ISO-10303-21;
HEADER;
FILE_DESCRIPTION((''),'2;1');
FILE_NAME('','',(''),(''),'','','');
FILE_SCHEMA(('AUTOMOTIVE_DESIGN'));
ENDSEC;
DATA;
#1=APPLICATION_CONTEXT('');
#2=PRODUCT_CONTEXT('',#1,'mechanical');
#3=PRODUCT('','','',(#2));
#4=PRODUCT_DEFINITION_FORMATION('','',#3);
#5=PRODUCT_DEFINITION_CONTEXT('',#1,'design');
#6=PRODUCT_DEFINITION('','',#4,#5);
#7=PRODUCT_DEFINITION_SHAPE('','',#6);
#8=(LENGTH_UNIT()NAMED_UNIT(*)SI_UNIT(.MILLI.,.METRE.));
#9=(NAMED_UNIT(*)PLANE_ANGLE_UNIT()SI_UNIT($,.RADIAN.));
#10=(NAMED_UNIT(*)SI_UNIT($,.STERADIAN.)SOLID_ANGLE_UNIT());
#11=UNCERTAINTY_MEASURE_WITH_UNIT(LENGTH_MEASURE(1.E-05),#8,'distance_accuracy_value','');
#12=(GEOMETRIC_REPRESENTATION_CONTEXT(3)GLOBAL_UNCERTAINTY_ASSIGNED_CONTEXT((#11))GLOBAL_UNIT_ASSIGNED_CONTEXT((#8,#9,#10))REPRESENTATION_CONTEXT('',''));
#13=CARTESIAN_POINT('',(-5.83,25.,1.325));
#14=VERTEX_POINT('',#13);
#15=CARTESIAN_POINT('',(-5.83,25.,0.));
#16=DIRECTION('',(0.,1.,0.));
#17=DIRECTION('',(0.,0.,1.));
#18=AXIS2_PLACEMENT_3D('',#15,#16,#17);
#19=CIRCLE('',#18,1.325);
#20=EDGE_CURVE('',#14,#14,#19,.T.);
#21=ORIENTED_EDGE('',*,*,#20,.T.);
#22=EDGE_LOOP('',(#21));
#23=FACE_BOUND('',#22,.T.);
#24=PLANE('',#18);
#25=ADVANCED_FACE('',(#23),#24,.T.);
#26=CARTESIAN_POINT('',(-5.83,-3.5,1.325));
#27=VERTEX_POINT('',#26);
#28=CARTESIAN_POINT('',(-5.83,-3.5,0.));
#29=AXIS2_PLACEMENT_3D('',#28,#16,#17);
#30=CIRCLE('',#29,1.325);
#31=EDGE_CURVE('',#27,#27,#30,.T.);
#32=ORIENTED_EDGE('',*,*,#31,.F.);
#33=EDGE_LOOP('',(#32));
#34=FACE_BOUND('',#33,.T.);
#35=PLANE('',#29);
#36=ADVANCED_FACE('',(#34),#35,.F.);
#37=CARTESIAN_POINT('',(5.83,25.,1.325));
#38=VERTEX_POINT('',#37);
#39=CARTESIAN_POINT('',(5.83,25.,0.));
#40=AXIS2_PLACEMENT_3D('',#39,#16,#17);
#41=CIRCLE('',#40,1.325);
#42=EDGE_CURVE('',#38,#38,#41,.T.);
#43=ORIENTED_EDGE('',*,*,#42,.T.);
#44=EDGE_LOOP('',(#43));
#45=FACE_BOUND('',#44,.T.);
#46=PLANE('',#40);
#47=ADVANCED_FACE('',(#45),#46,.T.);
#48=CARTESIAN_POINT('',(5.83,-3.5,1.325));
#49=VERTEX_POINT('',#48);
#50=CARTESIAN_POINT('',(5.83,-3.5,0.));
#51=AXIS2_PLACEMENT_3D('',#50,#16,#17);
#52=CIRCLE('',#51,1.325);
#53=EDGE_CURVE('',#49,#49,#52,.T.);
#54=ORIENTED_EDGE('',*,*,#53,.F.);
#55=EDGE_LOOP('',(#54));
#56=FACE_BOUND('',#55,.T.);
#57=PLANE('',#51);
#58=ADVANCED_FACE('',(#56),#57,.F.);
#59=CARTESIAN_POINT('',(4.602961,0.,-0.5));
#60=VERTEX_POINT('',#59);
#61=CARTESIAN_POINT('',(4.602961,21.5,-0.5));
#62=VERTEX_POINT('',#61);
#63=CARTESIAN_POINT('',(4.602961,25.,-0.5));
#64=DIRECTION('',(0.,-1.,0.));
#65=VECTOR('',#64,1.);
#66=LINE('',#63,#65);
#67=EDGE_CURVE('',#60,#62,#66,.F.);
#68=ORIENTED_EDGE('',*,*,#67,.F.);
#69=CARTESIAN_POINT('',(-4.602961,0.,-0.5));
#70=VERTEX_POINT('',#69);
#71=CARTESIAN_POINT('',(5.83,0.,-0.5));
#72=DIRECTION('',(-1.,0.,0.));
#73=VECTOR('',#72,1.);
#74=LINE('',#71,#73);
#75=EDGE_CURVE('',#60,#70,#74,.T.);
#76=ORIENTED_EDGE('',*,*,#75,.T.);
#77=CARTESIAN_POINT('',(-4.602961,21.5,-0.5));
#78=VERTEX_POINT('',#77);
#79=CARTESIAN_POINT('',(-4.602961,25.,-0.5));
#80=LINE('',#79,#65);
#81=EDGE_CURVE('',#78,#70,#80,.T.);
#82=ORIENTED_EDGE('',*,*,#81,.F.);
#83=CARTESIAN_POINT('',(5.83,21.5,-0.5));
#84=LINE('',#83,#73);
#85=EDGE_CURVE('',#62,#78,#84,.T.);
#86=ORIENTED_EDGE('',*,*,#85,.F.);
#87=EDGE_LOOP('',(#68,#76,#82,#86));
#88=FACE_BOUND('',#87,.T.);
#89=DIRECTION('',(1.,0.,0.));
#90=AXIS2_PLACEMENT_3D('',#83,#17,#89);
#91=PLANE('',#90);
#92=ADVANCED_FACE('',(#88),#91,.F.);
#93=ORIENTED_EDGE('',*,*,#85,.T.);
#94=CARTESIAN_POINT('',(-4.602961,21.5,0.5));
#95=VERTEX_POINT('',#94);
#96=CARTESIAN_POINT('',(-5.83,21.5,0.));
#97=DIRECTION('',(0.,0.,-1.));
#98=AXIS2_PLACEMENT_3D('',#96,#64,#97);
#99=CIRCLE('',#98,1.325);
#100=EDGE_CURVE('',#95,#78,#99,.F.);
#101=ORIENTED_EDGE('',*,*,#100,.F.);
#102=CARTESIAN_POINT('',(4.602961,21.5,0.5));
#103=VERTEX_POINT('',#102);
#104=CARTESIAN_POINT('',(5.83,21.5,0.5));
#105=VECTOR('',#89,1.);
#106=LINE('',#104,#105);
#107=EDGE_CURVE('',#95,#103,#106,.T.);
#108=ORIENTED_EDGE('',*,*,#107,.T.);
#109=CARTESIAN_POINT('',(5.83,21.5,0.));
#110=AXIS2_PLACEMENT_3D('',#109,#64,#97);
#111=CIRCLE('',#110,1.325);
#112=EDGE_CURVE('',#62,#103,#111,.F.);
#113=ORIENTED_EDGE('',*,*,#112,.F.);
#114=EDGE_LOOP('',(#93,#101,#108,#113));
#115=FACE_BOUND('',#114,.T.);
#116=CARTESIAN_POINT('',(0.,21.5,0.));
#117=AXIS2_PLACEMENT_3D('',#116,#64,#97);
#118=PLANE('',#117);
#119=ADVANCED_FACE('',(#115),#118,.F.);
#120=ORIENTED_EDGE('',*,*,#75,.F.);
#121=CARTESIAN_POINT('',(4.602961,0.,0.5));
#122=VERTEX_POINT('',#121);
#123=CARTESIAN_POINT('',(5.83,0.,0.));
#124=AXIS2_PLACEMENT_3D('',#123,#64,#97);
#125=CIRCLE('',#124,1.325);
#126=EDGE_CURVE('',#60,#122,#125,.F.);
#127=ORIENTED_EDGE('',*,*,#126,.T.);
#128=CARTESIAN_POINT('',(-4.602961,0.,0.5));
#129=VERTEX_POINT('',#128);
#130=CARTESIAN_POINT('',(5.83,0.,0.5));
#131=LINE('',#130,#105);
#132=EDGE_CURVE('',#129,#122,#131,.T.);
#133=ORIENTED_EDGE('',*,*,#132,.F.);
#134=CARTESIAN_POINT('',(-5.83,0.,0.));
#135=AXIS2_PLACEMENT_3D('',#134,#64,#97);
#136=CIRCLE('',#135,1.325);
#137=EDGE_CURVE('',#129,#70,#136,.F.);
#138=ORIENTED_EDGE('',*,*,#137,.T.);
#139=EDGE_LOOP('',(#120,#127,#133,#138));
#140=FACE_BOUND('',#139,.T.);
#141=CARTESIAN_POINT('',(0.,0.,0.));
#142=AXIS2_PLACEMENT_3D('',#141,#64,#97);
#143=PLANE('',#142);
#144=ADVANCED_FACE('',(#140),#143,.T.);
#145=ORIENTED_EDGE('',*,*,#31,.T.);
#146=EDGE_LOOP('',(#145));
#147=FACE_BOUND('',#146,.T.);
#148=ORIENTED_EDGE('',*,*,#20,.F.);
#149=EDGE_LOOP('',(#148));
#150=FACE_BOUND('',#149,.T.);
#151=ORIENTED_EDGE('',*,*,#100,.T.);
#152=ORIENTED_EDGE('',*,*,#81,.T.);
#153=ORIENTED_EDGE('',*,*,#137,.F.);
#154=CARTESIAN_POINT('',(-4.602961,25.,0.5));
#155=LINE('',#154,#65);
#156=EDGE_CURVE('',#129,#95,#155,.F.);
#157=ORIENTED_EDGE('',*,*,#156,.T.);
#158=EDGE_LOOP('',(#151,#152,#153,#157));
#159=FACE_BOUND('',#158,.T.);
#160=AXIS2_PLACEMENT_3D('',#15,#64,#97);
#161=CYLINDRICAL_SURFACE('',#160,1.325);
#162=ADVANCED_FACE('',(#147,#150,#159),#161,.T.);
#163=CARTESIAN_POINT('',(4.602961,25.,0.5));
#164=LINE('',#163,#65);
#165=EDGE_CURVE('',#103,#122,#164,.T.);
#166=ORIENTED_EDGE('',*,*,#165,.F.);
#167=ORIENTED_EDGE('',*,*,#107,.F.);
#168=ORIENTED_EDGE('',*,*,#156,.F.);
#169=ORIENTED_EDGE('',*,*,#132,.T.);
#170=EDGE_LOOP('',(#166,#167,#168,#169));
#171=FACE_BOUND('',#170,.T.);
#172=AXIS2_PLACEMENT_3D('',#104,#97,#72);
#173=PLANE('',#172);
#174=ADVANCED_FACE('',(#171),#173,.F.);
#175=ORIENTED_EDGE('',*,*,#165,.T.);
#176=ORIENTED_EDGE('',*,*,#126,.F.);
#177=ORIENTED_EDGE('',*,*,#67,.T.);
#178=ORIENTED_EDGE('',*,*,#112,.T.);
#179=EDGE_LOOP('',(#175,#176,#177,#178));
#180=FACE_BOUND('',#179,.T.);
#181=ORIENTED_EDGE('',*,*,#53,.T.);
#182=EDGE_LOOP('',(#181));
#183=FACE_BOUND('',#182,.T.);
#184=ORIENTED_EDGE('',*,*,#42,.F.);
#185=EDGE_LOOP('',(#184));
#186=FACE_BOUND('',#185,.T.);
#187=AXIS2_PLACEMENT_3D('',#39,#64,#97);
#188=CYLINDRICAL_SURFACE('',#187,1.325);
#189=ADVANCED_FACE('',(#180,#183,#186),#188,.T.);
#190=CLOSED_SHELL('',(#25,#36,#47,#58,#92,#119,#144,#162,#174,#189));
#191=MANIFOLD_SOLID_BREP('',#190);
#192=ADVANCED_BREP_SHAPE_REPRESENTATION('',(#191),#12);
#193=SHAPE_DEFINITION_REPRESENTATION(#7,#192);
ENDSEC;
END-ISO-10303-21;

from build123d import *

# Parameters (mm, degrees)
SKETCH1_W           = 11.66
SKETCH1_H           = 1
BOSS_EXTRUDE1_DEPTH = 21.5
SKETCH2_R           = 1.325
BOSS_EXTRUDE2_DEPTH = 14.25


with BuildPart() as part:
    # Sketch1 → Boss-Extrude1 (new body)
    with BuildSketch(Plane(origin=(0, 0, 0), x_dir=(1, 0, 0), z_dir=(0, 1, 0))):
        Rectangle(SKETCH1_W, SKETCH1_H)
    extrude(amount=BOSS_EXTRUDE1_DEPTH)

    # Sketch2 → Boss-Extrude2 (add, symmetric)
    with BuildSketch(Plane(origin=(0, 10.75, 0), x_dir=(1, 0, 0), z_dir=(0, 1, 0))):
        with Locations(Location((-5.83, 0, 0), (0, 0, 270))):
            Circle(SKETCH2_R)
        with Locations(Location((5.83, 0, 0), (0, 0, 270))):
            Circle(SKETCH2_R)
    extrude(amount=BOSS_EXTRUDE2_DEPTH, both=True)


solid = part.part
